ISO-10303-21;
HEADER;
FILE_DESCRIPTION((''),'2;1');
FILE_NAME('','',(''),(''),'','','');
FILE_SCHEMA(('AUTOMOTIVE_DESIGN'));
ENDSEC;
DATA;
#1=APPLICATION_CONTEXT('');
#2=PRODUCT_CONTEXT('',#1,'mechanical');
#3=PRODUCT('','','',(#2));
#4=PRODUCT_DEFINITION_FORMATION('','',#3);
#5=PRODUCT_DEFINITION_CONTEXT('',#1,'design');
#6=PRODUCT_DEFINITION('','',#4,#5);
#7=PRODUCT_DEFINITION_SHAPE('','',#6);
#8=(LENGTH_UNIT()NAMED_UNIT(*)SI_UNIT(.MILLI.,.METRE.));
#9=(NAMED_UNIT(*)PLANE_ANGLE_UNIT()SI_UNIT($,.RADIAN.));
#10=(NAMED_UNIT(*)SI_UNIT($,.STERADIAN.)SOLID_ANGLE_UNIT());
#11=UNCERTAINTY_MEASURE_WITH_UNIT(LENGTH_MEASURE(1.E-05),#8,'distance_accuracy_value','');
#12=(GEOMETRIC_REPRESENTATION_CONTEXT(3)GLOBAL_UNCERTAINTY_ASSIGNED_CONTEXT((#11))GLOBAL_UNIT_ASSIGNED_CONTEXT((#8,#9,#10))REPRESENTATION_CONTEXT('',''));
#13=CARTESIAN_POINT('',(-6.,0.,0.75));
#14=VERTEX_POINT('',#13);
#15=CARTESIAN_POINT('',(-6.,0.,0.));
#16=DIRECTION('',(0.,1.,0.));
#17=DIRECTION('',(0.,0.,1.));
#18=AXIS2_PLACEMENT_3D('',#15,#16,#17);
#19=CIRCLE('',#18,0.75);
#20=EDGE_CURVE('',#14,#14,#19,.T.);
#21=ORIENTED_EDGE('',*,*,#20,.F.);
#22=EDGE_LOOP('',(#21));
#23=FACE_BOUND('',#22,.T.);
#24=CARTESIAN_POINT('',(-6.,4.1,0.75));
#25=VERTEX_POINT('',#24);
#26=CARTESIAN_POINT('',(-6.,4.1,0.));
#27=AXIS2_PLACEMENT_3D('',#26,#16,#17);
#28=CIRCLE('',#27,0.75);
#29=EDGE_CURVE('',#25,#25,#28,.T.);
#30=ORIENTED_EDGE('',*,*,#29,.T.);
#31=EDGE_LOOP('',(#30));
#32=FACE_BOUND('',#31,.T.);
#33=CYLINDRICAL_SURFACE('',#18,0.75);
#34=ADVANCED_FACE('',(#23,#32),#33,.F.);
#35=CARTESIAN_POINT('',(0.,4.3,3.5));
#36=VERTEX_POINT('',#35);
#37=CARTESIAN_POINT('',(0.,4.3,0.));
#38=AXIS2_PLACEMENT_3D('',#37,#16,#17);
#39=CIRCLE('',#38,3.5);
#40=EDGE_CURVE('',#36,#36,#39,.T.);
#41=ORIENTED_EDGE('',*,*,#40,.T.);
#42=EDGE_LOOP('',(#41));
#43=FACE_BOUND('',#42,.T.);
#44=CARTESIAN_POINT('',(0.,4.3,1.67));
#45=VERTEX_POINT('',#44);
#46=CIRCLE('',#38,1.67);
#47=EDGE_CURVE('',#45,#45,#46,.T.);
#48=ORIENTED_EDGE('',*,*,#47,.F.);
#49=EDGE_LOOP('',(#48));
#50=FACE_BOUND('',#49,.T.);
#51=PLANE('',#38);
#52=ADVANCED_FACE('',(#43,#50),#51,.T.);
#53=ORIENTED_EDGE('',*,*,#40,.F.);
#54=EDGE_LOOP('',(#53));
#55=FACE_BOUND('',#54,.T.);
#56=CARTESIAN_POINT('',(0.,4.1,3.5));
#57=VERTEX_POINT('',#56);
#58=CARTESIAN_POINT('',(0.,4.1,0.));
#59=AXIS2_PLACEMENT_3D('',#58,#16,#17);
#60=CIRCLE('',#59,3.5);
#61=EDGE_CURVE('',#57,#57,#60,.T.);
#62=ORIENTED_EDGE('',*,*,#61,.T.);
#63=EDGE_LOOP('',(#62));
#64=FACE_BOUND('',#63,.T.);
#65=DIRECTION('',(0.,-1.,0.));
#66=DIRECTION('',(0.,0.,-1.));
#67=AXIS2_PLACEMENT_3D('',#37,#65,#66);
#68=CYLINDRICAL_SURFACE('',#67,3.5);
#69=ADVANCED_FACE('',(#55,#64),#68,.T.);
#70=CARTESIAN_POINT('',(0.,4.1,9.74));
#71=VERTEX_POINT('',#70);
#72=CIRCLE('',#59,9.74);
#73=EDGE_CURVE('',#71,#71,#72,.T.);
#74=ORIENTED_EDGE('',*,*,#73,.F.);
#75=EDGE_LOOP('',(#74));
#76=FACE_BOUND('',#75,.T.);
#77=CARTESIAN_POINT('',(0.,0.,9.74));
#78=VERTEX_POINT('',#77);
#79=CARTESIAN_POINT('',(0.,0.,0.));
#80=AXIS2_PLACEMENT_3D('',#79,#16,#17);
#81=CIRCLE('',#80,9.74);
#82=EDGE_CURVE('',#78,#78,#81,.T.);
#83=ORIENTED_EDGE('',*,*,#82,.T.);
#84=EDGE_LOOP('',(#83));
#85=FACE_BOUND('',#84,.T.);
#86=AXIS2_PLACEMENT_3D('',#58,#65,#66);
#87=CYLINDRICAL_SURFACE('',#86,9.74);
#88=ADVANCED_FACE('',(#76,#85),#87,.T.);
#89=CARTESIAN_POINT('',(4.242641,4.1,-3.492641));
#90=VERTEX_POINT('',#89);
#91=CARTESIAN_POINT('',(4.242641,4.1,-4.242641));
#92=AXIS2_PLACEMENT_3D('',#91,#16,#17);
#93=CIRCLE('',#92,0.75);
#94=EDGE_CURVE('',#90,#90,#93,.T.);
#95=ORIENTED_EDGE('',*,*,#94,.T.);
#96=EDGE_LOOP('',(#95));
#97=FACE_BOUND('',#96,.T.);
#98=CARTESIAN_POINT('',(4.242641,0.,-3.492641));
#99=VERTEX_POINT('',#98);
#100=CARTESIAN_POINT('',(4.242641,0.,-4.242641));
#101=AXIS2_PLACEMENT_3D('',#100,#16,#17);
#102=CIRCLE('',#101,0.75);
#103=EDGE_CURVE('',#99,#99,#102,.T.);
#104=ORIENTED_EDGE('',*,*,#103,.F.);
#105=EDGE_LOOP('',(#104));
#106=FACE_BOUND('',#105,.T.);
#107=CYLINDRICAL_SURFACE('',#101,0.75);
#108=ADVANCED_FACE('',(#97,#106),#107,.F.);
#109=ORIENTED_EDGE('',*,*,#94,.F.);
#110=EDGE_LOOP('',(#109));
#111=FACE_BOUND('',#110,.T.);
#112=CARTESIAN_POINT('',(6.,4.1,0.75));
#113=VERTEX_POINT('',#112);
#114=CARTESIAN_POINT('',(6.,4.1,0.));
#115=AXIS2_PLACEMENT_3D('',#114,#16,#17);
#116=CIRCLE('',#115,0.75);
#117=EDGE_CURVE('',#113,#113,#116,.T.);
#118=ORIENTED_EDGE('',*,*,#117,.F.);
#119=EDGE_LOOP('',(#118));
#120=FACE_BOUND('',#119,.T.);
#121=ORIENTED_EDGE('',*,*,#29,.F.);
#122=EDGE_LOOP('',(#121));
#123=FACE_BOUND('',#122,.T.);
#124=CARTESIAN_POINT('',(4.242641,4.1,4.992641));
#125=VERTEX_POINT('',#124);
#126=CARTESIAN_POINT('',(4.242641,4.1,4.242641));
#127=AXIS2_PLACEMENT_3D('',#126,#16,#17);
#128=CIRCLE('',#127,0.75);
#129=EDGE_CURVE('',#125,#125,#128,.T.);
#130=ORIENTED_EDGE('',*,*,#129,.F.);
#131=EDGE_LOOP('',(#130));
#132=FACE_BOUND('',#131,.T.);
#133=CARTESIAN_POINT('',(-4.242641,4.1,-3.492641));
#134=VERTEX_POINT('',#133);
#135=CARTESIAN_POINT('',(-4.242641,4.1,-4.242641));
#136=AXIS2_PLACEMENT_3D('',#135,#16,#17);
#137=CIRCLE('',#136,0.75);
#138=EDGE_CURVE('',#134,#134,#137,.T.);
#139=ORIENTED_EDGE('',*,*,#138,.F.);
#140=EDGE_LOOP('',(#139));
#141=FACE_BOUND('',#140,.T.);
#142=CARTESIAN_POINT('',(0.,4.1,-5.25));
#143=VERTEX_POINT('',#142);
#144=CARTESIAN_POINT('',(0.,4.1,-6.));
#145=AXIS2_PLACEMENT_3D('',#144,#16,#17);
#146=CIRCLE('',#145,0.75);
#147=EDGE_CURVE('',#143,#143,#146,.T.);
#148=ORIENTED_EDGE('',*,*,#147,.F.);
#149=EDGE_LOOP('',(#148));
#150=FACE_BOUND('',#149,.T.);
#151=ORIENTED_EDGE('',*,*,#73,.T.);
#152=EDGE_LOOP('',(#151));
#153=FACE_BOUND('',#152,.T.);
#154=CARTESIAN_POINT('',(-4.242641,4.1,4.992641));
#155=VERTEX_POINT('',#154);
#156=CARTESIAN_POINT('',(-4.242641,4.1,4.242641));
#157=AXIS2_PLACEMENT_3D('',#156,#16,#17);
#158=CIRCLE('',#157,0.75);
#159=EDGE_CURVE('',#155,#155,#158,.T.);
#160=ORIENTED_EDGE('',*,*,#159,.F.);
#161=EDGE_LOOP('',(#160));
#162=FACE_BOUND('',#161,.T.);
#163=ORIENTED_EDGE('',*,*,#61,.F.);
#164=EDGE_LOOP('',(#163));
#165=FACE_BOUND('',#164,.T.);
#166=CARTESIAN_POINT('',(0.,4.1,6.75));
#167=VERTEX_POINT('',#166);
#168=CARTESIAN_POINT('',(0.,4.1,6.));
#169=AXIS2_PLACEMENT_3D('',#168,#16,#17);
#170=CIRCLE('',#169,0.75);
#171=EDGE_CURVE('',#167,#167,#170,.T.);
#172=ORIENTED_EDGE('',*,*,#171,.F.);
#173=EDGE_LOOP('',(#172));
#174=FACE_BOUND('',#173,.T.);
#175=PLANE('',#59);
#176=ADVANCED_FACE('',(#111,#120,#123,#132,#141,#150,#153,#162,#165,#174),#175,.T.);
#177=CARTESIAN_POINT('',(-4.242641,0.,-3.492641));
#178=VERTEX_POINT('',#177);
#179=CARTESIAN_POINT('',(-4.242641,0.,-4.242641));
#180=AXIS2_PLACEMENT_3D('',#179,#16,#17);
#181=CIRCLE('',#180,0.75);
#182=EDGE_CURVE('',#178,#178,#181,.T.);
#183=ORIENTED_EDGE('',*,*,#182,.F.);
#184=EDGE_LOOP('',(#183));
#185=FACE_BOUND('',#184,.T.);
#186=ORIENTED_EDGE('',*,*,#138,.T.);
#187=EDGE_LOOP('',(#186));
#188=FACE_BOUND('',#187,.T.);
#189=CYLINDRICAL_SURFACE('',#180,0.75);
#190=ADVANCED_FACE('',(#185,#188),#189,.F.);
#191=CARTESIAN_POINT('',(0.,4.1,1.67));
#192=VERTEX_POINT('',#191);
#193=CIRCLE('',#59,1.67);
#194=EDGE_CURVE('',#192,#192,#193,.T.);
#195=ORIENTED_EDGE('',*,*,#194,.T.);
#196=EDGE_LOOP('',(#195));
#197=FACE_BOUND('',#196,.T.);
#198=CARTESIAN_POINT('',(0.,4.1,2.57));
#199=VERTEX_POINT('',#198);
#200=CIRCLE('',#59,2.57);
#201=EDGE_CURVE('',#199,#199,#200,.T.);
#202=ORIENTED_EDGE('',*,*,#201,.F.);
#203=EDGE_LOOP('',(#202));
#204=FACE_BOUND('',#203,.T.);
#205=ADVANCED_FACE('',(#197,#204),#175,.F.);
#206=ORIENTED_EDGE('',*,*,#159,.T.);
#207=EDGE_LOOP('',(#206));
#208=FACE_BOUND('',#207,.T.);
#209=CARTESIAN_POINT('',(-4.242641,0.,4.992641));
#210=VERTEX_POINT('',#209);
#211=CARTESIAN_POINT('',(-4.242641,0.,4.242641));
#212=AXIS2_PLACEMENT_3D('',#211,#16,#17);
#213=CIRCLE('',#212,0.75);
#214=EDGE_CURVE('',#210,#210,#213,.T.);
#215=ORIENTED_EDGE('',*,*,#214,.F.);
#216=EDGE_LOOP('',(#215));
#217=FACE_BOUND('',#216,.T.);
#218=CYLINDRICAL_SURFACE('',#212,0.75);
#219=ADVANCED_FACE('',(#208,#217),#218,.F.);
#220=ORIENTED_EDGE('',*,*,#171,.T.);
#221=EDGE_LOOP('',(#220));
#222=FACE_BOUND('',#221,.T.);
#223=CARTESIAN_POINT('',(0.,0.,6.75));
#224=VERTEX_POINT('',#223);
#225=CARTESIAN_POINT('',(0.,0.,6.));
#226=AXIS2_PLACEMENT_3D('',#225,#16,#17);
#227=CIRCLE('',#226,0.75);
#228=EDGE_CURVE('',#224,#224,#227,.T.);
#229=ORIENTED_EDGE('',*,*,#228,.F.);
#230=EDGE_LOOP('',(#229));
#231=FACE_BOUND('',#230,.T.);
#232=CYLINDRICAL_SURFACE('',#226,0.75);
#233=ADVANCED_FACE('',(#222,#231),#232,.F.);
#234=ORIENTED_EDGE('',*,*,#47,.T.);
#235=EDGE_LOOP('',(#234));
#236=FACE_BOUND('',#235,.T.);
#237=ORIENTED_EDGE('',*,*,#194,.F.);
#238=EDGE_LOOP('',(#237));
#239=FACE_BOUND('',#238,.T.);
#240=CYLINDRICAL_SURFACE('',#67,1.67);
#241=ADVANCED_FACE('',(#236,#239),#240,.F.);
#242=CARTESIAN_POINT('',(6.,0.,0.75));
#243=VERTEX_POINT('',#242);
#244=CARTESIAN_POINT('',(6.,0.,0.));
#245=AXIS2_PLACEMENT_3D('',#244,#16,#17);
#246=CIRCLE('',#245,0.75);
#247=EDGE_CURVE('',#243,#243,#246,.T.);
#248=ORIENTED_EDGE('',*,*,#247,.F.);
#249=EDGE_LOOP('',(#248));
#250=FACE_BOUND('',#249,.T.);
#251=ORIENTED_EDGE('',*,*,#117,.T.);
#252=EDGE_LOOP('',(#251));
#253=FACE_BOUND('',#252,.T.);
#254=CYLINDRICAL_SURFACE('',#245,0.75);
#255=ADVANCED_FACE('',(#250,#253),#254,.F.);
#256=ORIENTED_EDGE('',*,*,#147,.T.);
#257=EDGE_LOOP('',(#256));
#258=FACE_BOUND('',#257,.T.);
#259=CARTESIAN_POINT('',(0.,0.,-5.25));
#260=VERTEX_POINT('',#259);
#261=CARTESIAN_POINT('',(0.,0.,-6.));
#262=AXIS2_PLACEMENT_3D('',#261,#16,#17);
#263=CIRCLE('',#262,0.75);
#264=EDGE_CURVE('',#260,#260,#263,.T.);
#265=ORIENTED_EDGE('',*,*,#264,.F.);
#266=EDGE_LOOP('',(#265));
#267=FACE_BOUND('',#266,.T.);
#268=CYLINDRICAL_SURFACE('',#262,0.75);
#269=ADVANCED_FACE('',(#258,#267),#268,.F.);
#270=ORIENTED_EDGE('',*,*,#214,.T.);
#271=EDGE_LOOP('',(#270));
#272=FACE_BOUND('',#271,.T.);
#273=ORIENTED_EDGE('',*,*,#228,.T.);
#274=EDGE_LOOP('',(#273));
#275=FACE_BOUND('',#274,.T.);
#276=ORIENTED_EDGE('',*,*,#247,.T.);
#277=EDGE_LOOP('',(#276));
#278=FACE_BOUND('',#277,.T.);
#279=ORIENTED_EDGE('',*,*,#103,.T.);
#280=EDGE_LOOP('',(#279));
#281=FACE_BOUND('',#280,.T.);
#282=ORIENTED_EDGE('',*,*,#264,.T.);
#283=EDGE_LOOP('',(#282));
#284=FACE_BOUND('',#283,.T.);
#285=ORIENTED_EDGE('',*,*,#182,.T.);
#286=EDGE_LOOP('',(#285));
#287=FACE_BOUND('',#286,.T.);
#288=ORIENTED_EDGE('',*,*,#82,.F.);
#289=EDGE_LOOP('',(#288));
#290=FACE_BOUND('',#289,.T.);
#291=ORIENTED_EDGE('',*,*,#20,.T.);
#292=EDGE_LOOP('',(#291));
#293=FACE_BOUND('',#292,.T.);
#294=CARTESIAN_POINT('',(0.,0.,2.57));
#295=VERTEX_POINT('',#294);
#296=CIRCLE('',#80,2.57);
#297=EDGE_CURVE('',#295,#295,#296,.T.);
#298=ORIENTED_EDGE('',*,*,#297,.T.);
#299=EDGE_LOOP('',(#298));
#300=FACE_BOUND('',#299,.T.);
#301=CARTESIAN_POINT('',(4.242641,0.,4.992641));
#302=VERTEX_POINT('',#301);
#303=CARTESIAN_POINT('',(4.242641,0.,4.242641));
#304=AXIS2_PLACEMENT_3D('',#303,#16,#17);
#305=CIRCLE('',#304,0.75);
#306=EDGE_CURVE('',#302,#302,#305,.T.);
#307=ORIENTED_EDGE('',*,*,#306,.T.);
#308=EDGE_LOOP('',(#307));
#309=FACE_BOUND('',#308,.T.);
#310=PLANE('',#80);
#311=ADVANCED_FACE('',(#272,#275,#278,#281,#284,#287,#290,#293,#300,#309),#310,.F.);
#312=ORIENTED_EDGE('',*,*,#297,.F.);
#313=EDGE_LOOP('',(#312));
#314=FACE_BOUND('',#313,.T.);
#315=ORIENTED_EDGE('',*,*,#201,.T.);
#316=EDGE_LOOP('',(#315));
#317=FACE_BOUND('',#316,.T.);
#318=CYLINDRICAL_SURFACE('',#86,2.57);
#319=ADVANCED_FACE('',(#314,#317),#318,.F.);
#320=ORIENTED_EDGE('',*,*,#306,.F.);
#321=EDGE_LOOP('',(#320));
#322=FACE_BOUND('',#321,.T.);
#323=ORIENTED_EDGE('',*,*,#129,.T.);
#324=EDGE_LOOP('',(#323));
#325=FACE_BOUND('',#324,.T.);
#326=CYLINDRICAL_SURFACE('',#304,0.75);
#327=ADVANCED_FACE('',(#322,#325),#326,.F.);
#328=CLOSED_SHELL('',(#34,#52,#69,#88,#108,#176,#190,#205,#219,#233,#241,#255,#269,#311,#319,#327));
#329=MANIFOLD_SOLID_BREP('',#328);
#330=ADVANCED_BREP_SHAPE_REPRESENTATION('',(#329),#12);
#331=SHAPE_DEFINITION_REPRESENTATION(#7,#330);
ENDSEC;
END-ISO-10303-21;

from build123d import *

# Parameters (mm, degrees)
SKETCH1_R        = 9.74
SKETCH1_R_2      = 2.57
MOUNTBODY_DEPTH  = 4.1
SKETCH2_R        = 3.5
SKETCH2_R_2      = 1.67
CAP_DEPTH        = 0.2
SKETCH3_R        = 0.75
SCREWHOLES_DEPTH = 15.371680486


with BuildPart() as part:
    # Sketch1 → MountBody (new body)
    with BuildSketch(Plane(origin=(0, 0, 0), x_dir=(1, 0, 0), z_dir=(0, 1, 0))):
        with Locations(Location((0, 0, 0), (0, 0, 270))):
            Circle(SKETCH1_R)
        with Locations(Location((0, 0, 0), (0, 0, 270))):
            Circle(SKETCH1_R_2, mode=Mode.SUBTRACT)
    extrude(amount=MOUNTBODY_DEPTH)

    # Sketch2 → Cap (add)
    with BuildSketch(Plane(origin=(0, 4.1, 0), x_dir=(1, 0, 0), z_dir=(0, 1, 0))):
        with Locations(Location((0, 0, 0), (0, 0, 270))):
            Circle(SKETCH2_R)
        with Locations(Location((0, 0, 0), (0, 0, 270))):
            Circle(SKETCH2_R_2, mode=Mode.SUBTRACT)
    extrude(amount=CAP_DEPTH)

    # Sketch3 → ScrewHoles (cut, through all)
    with BuildSketch(Plane(origin=(0, 4.1, 0), x_dir=(1, 0, 0), z_dir=(0, 1, 0))):
        with Locations(Location((6, 0, 0), (0, 0, 270))):
            Circle(SKETCH3_R)
        with Locations(Location((4.242640687, -4.242640687, 0), (0, 0, 270))):
            Circle(SKETCH3_R)
        with Locations(Location((0, -6, 0), (0, 0, 270))):
            Circle(SKETCH3_R)
        with Locations(Location((-4.242640687, -4.242640687, 0), (0, 0, 270))):
            Circle(SKETCH3_R)
        with Locations(Location((-6, 0, 0), (0, 0, 270))):
            Circle(SKETCH3_R)
        with Locations(Location((-4.242640687, 4.242640687, 0), (0, 0, 270))):
            Circle(SKETCH3_R)
        with Locations(Location((0, 6, 0), (0, 0, 270))):
            Circle(SKETCH3_R)
        with Locations(Location((4.242640687, 4.242640687, 0), (0, 0, 270))):
            Circle(SKETCH3_R)
    extrude(amount=-SCREWHOLES_DEPTH, mode=Mode.SUBTRACT)


solid = part.part
